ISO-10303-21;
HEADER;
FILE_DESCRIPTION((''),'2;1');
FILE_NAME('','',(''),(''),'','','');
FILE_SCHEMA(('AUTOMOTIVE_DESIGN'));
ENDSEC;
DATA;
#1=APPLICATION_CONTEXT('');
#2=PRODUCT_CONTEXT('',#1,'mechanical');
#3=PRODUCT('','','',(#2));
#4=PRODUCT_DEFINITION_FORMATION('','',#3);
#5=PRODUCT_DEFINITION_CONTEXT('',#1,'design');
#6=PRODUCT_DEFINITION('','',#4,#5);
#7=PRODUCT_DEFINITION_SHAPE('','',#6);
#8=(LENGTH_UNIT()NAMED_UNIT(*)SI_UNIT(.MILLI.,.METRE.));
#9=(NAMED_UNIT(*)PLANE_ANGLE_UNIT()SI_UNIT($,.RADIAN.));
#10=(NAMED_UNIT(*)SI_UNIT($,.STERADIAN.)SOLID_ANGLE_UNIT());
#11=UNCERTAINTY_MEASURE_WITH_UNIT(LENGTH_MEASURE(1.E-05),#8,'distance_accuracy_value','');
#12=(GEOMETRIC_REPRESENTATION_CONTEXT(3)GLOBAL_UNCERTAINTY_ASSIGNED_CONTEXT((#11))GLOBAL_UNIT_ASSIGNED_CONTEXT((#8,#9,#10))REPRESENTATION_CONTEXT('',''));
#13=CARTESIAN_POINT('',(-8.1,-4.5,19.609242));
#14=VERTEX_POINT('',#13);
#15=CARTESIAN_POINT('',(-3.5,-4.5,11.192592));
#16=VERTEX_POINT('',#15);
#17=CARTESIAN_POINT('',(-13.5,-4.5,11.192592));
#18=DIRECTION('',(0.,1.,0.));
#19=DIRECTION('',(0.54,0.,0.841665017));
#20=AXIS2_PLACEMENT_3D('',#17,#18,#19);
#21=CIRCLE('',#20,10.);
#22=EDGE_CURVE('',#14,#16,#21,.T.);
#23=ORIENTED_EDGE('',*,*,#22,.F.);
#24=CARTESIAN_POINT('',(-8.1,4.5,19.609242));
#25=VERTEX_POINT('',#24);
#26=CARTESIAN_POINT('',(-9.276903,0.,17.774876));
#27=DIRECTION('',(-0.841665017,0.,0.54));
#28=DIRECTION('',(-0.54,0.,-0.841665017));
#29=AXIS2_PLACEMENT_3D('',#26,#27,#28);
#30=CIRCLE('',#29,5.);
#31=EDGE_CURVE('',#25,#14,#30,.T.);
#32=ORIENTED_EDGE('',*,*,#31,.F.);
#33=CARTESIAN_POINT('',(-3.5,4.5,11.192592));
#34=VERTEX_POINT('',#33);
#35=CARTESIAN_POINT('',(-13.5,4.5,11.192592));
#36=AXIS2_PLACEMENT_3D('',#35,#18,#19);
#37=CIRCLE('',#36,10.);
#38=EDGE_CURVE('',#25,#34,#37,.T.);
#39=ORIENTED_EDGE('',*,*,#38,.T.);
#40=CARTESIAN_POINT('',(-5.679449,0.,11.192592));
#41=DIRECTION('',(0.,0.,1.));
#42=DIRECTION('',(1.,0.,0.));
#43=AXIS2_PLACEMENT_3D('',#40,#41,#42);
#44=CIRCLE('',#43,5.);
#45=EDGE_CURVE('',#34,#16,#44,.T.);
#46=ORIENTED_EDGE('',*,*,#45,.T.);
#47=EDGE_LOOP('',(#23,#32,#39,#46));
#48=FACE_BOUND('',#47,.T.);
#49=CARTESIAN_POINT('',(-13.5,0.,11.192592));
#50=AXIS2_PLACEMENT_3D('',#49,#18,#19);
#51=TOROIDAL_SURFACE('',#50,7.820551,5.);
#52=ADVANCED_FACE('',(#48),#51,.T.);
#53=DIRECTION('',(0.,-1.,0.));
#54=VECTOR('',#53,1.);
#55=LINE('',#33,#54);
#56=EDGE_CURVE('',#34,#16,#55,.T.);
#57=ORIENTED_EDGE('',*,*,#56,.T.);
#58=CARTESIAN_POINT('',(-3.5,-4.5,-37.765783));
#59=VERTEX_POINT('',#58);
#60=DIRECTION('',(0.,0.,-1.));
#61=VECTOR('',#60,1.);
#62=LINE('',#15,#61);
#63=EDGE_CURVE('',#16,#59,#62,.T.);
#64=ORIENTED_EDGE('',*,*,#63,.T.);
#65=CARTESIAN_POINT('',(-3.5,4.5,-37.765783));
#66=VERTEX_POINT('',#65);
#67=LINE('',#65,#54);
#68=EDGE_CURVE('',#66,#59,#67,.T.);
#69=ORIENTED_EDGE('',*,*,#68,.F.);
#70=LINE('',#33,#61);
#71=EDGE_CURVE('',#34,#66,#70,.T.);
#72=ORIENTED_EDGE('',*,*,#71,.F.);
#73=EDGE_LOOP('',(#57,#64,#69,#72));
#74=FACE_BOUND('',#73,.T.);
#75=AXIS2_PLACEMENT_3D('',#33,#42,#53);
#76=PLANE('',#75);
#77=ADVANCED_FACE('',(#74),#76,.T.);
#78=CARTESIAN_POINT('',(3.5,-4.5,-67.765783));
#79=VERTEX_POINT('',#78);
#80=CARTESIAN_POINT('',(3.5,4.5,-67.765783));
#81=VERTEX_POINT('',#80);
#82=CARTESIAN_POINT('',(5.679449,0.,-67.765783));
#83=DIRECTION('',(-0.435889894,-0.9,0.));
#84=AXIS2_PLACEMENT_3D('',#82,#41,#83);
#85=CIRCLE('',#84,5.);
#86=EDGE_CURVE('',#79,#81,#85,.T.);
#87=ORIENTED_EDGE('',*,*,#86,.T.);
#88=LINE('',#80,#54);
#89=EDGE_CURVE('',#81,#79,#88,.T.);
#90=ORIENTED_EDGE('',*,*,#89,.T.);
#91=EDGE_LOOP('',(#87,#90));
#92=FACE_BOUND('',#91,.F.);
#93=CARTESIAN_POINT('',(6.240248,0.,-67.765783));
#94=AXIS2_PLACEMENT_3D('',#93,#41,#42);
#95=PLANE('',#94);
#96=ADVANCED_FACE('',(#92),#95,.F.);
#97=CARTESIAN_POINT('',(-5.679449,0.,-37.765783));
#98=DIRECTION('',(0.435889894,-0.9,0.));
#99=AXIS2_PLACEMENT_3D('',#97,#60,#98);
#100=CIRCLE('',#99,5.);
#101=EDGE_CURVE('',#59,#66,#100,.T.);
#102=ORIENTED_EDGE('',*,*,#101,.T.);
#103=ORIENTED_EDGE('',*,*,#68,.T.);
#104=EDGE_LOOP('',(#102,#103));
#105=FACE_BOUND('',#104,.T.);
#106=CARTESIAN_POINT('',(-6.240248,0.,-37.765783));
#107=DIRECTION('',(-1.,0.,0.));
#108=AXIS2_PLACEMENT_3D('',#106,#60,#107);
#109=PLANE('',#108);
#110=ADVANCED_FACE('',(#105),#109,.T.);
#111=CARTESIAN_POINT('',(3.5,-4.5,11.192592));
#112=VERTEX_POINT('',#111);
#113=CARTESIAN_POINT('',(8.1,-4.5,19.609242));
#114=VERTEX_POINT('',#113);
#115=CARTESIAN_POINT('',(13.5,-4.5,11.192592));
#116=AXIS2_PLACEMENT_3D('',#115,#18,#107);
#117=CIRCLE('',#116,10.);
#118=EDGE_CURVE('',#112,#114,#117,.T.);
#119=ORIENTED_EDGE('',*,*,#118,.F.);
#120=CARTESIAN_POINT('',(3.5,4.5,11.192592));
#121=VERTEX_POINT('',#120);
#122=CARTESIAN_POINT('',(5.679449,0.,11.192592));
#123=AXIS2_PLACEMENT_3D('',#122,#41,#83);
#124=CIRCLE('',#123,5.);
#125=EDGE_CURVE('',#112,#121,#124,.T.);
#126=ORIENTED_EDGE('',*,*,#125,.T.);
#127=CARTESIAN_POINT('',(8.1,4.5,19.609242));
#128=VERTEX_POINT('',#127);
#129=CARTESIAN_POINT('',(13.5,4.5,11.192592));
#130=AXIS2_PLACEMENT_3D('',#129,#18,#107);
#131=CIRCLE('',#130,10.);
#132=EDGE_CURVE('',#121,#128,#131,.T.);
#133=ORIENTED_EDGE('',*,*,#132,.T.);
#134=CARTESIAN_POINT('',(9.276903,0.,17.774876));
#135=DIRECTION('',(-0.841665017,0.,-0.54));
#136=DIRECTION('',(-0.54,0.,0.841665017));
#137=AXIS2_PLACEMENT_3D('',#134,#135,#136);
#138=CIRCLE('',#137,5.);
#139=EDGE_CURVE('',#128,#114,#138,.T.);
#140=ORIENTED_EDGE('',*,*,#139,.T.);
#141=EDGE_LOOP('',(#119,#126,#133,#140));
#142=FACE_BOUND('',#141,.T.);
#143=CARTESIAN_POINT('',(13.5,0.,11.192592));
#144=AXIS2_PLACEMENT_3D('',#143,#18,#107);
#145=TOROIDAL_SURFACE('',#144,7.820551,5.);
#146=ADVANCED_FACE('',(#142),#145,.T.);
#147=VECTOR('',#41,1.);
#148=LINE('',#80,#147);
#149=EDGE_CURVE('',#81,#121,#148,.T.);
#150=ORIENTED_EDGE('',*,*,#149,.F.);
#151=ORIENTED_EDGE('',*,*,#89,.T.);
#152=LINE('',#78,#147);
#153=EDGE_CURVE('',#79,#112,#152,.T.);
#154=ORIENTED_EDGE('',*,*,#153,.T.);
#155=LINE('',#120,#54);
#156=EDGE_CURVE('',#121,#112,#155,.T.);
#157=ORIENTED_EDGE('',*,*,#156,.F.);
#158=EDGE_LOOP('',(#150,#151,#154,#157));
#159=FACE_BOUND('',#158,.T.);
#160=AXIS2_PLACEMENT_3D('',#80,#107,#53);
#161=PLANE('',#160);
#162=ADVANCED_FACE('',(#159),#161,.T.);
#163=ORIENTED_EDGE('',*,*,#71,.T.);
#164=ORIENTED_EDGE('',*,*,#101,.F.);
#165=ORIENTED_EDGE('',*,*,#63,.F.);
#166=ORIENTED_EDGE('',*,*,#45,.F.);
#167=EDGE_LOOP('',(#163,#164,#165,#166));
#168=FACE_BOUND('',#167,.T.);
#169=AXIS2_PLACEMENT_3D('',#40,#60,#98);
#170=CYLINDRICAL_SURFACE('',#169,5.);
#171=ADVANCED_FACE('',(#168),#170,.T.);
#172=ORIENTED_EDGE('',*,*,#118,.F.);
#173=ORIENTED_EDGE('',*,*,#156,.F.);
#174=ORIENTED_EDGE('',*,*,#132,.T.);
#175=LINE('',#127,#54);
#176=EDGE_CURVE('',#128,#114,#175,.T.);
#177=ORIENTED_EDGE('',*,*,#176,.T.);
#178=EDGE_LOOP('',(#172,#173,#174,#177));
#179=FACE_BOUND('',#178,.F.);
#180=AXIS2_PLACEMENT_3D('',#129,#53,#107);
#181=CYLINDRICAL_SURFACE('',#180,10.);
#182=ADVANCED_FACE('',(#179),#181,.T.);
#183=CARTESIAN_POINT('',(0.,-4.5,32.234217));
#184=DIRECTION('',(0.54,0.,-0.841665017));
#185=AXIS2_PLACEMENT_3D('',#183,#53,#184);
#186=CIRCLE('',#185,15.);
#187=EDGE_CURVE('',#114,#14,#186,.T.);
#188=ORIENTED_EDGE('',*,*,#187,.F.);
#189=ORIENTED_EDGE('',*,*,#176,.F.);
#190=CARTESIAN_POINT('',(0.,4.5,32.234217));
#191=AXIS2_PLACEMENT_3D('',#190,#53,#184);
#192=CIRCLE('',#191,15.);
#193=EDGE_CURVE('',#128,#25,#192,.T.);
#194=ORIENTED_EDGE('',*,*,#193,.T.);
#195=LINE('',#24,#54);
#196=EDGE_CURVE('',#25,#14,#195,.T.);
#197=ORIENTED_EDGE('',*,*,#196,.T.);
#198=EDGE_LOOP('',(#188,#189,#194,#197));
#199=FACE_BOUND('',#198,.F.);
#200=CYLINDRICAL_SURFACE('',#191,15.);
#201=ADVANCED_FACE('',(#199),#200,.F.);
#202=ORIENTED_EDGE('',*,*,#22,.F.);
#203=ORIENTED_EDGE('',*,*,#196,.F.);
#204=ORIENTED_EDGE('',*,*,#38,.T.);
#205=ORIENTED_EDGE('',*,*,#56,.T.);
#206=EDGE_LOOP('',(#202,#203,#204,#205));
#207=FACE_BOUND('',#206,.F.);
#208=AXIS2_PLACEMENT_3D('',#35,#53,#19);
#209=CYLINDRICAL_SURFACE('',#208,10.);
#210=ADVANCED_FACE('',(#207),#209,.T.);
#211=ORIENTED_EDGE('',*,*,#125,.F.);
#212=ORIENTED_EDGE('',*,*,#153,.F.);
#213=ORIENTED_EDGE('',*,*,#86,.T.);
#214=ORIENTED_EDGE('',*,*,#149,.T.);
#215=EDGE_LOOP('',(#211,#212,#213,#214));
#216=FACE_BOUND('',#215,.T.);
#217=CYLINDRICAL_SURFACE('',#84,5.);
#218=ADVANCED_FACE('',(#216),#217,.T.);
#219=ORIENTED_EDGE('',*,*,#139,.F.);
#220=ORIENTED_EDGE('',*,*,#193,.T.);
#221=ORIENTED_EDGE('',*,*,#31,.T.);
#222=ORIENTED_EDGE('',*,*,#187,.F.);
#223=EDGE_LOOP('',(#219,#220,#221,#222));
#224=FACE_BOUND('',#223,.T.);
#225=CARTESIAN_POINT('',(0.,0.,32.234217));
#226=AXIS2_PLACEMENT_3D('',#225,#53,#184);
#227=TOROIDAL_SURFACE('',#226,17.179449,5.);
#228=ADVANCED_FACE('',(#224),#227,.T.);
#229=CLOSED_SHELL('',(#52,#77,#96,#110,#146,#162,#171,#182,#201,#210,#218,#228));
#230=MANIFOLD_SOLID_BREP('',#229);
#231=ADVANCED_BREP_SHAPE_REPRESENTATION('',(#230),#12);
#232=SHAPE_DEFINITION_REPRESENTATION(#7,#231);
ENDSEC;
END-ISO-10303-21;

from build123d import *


with BuildPart() as f2:
    # F2: sweep along a path in F1
    with BuildLine(Plane.XZ) as f2_path:
        Line((3.5, -67.7657828438), (3.5, 11.1925917437))
        ThreePointArc((3.5, 11.1925917437), (4.7250356126, 15.988423267), (8.1, 19.6092419087))
        ThreePointArc((8.1, 19.6092419087), (0, 47.2342171562), (-8.1, 19.6092419087))
        ThreePointArc((-8.1, 19.6092419087), (-4.7250356126, 15.988423267), (-3.5, 11.1925917437))
        Line((-3.5, 11.1925917437), (-3.5, -37.7657828438))
    # F0 (on Top) → F2 (sweep)
    with BuildSketch(Plane.XY):
        with BuildLine():
            Line((3.5, 4.5), (3.5, -4.5))
            ThreePointArc((3.5, -4.5), (10.6794494718, 0), (3.5, 4.5))
        make_face()
    sweep(path=f2_path.line)


solid = f2.part
